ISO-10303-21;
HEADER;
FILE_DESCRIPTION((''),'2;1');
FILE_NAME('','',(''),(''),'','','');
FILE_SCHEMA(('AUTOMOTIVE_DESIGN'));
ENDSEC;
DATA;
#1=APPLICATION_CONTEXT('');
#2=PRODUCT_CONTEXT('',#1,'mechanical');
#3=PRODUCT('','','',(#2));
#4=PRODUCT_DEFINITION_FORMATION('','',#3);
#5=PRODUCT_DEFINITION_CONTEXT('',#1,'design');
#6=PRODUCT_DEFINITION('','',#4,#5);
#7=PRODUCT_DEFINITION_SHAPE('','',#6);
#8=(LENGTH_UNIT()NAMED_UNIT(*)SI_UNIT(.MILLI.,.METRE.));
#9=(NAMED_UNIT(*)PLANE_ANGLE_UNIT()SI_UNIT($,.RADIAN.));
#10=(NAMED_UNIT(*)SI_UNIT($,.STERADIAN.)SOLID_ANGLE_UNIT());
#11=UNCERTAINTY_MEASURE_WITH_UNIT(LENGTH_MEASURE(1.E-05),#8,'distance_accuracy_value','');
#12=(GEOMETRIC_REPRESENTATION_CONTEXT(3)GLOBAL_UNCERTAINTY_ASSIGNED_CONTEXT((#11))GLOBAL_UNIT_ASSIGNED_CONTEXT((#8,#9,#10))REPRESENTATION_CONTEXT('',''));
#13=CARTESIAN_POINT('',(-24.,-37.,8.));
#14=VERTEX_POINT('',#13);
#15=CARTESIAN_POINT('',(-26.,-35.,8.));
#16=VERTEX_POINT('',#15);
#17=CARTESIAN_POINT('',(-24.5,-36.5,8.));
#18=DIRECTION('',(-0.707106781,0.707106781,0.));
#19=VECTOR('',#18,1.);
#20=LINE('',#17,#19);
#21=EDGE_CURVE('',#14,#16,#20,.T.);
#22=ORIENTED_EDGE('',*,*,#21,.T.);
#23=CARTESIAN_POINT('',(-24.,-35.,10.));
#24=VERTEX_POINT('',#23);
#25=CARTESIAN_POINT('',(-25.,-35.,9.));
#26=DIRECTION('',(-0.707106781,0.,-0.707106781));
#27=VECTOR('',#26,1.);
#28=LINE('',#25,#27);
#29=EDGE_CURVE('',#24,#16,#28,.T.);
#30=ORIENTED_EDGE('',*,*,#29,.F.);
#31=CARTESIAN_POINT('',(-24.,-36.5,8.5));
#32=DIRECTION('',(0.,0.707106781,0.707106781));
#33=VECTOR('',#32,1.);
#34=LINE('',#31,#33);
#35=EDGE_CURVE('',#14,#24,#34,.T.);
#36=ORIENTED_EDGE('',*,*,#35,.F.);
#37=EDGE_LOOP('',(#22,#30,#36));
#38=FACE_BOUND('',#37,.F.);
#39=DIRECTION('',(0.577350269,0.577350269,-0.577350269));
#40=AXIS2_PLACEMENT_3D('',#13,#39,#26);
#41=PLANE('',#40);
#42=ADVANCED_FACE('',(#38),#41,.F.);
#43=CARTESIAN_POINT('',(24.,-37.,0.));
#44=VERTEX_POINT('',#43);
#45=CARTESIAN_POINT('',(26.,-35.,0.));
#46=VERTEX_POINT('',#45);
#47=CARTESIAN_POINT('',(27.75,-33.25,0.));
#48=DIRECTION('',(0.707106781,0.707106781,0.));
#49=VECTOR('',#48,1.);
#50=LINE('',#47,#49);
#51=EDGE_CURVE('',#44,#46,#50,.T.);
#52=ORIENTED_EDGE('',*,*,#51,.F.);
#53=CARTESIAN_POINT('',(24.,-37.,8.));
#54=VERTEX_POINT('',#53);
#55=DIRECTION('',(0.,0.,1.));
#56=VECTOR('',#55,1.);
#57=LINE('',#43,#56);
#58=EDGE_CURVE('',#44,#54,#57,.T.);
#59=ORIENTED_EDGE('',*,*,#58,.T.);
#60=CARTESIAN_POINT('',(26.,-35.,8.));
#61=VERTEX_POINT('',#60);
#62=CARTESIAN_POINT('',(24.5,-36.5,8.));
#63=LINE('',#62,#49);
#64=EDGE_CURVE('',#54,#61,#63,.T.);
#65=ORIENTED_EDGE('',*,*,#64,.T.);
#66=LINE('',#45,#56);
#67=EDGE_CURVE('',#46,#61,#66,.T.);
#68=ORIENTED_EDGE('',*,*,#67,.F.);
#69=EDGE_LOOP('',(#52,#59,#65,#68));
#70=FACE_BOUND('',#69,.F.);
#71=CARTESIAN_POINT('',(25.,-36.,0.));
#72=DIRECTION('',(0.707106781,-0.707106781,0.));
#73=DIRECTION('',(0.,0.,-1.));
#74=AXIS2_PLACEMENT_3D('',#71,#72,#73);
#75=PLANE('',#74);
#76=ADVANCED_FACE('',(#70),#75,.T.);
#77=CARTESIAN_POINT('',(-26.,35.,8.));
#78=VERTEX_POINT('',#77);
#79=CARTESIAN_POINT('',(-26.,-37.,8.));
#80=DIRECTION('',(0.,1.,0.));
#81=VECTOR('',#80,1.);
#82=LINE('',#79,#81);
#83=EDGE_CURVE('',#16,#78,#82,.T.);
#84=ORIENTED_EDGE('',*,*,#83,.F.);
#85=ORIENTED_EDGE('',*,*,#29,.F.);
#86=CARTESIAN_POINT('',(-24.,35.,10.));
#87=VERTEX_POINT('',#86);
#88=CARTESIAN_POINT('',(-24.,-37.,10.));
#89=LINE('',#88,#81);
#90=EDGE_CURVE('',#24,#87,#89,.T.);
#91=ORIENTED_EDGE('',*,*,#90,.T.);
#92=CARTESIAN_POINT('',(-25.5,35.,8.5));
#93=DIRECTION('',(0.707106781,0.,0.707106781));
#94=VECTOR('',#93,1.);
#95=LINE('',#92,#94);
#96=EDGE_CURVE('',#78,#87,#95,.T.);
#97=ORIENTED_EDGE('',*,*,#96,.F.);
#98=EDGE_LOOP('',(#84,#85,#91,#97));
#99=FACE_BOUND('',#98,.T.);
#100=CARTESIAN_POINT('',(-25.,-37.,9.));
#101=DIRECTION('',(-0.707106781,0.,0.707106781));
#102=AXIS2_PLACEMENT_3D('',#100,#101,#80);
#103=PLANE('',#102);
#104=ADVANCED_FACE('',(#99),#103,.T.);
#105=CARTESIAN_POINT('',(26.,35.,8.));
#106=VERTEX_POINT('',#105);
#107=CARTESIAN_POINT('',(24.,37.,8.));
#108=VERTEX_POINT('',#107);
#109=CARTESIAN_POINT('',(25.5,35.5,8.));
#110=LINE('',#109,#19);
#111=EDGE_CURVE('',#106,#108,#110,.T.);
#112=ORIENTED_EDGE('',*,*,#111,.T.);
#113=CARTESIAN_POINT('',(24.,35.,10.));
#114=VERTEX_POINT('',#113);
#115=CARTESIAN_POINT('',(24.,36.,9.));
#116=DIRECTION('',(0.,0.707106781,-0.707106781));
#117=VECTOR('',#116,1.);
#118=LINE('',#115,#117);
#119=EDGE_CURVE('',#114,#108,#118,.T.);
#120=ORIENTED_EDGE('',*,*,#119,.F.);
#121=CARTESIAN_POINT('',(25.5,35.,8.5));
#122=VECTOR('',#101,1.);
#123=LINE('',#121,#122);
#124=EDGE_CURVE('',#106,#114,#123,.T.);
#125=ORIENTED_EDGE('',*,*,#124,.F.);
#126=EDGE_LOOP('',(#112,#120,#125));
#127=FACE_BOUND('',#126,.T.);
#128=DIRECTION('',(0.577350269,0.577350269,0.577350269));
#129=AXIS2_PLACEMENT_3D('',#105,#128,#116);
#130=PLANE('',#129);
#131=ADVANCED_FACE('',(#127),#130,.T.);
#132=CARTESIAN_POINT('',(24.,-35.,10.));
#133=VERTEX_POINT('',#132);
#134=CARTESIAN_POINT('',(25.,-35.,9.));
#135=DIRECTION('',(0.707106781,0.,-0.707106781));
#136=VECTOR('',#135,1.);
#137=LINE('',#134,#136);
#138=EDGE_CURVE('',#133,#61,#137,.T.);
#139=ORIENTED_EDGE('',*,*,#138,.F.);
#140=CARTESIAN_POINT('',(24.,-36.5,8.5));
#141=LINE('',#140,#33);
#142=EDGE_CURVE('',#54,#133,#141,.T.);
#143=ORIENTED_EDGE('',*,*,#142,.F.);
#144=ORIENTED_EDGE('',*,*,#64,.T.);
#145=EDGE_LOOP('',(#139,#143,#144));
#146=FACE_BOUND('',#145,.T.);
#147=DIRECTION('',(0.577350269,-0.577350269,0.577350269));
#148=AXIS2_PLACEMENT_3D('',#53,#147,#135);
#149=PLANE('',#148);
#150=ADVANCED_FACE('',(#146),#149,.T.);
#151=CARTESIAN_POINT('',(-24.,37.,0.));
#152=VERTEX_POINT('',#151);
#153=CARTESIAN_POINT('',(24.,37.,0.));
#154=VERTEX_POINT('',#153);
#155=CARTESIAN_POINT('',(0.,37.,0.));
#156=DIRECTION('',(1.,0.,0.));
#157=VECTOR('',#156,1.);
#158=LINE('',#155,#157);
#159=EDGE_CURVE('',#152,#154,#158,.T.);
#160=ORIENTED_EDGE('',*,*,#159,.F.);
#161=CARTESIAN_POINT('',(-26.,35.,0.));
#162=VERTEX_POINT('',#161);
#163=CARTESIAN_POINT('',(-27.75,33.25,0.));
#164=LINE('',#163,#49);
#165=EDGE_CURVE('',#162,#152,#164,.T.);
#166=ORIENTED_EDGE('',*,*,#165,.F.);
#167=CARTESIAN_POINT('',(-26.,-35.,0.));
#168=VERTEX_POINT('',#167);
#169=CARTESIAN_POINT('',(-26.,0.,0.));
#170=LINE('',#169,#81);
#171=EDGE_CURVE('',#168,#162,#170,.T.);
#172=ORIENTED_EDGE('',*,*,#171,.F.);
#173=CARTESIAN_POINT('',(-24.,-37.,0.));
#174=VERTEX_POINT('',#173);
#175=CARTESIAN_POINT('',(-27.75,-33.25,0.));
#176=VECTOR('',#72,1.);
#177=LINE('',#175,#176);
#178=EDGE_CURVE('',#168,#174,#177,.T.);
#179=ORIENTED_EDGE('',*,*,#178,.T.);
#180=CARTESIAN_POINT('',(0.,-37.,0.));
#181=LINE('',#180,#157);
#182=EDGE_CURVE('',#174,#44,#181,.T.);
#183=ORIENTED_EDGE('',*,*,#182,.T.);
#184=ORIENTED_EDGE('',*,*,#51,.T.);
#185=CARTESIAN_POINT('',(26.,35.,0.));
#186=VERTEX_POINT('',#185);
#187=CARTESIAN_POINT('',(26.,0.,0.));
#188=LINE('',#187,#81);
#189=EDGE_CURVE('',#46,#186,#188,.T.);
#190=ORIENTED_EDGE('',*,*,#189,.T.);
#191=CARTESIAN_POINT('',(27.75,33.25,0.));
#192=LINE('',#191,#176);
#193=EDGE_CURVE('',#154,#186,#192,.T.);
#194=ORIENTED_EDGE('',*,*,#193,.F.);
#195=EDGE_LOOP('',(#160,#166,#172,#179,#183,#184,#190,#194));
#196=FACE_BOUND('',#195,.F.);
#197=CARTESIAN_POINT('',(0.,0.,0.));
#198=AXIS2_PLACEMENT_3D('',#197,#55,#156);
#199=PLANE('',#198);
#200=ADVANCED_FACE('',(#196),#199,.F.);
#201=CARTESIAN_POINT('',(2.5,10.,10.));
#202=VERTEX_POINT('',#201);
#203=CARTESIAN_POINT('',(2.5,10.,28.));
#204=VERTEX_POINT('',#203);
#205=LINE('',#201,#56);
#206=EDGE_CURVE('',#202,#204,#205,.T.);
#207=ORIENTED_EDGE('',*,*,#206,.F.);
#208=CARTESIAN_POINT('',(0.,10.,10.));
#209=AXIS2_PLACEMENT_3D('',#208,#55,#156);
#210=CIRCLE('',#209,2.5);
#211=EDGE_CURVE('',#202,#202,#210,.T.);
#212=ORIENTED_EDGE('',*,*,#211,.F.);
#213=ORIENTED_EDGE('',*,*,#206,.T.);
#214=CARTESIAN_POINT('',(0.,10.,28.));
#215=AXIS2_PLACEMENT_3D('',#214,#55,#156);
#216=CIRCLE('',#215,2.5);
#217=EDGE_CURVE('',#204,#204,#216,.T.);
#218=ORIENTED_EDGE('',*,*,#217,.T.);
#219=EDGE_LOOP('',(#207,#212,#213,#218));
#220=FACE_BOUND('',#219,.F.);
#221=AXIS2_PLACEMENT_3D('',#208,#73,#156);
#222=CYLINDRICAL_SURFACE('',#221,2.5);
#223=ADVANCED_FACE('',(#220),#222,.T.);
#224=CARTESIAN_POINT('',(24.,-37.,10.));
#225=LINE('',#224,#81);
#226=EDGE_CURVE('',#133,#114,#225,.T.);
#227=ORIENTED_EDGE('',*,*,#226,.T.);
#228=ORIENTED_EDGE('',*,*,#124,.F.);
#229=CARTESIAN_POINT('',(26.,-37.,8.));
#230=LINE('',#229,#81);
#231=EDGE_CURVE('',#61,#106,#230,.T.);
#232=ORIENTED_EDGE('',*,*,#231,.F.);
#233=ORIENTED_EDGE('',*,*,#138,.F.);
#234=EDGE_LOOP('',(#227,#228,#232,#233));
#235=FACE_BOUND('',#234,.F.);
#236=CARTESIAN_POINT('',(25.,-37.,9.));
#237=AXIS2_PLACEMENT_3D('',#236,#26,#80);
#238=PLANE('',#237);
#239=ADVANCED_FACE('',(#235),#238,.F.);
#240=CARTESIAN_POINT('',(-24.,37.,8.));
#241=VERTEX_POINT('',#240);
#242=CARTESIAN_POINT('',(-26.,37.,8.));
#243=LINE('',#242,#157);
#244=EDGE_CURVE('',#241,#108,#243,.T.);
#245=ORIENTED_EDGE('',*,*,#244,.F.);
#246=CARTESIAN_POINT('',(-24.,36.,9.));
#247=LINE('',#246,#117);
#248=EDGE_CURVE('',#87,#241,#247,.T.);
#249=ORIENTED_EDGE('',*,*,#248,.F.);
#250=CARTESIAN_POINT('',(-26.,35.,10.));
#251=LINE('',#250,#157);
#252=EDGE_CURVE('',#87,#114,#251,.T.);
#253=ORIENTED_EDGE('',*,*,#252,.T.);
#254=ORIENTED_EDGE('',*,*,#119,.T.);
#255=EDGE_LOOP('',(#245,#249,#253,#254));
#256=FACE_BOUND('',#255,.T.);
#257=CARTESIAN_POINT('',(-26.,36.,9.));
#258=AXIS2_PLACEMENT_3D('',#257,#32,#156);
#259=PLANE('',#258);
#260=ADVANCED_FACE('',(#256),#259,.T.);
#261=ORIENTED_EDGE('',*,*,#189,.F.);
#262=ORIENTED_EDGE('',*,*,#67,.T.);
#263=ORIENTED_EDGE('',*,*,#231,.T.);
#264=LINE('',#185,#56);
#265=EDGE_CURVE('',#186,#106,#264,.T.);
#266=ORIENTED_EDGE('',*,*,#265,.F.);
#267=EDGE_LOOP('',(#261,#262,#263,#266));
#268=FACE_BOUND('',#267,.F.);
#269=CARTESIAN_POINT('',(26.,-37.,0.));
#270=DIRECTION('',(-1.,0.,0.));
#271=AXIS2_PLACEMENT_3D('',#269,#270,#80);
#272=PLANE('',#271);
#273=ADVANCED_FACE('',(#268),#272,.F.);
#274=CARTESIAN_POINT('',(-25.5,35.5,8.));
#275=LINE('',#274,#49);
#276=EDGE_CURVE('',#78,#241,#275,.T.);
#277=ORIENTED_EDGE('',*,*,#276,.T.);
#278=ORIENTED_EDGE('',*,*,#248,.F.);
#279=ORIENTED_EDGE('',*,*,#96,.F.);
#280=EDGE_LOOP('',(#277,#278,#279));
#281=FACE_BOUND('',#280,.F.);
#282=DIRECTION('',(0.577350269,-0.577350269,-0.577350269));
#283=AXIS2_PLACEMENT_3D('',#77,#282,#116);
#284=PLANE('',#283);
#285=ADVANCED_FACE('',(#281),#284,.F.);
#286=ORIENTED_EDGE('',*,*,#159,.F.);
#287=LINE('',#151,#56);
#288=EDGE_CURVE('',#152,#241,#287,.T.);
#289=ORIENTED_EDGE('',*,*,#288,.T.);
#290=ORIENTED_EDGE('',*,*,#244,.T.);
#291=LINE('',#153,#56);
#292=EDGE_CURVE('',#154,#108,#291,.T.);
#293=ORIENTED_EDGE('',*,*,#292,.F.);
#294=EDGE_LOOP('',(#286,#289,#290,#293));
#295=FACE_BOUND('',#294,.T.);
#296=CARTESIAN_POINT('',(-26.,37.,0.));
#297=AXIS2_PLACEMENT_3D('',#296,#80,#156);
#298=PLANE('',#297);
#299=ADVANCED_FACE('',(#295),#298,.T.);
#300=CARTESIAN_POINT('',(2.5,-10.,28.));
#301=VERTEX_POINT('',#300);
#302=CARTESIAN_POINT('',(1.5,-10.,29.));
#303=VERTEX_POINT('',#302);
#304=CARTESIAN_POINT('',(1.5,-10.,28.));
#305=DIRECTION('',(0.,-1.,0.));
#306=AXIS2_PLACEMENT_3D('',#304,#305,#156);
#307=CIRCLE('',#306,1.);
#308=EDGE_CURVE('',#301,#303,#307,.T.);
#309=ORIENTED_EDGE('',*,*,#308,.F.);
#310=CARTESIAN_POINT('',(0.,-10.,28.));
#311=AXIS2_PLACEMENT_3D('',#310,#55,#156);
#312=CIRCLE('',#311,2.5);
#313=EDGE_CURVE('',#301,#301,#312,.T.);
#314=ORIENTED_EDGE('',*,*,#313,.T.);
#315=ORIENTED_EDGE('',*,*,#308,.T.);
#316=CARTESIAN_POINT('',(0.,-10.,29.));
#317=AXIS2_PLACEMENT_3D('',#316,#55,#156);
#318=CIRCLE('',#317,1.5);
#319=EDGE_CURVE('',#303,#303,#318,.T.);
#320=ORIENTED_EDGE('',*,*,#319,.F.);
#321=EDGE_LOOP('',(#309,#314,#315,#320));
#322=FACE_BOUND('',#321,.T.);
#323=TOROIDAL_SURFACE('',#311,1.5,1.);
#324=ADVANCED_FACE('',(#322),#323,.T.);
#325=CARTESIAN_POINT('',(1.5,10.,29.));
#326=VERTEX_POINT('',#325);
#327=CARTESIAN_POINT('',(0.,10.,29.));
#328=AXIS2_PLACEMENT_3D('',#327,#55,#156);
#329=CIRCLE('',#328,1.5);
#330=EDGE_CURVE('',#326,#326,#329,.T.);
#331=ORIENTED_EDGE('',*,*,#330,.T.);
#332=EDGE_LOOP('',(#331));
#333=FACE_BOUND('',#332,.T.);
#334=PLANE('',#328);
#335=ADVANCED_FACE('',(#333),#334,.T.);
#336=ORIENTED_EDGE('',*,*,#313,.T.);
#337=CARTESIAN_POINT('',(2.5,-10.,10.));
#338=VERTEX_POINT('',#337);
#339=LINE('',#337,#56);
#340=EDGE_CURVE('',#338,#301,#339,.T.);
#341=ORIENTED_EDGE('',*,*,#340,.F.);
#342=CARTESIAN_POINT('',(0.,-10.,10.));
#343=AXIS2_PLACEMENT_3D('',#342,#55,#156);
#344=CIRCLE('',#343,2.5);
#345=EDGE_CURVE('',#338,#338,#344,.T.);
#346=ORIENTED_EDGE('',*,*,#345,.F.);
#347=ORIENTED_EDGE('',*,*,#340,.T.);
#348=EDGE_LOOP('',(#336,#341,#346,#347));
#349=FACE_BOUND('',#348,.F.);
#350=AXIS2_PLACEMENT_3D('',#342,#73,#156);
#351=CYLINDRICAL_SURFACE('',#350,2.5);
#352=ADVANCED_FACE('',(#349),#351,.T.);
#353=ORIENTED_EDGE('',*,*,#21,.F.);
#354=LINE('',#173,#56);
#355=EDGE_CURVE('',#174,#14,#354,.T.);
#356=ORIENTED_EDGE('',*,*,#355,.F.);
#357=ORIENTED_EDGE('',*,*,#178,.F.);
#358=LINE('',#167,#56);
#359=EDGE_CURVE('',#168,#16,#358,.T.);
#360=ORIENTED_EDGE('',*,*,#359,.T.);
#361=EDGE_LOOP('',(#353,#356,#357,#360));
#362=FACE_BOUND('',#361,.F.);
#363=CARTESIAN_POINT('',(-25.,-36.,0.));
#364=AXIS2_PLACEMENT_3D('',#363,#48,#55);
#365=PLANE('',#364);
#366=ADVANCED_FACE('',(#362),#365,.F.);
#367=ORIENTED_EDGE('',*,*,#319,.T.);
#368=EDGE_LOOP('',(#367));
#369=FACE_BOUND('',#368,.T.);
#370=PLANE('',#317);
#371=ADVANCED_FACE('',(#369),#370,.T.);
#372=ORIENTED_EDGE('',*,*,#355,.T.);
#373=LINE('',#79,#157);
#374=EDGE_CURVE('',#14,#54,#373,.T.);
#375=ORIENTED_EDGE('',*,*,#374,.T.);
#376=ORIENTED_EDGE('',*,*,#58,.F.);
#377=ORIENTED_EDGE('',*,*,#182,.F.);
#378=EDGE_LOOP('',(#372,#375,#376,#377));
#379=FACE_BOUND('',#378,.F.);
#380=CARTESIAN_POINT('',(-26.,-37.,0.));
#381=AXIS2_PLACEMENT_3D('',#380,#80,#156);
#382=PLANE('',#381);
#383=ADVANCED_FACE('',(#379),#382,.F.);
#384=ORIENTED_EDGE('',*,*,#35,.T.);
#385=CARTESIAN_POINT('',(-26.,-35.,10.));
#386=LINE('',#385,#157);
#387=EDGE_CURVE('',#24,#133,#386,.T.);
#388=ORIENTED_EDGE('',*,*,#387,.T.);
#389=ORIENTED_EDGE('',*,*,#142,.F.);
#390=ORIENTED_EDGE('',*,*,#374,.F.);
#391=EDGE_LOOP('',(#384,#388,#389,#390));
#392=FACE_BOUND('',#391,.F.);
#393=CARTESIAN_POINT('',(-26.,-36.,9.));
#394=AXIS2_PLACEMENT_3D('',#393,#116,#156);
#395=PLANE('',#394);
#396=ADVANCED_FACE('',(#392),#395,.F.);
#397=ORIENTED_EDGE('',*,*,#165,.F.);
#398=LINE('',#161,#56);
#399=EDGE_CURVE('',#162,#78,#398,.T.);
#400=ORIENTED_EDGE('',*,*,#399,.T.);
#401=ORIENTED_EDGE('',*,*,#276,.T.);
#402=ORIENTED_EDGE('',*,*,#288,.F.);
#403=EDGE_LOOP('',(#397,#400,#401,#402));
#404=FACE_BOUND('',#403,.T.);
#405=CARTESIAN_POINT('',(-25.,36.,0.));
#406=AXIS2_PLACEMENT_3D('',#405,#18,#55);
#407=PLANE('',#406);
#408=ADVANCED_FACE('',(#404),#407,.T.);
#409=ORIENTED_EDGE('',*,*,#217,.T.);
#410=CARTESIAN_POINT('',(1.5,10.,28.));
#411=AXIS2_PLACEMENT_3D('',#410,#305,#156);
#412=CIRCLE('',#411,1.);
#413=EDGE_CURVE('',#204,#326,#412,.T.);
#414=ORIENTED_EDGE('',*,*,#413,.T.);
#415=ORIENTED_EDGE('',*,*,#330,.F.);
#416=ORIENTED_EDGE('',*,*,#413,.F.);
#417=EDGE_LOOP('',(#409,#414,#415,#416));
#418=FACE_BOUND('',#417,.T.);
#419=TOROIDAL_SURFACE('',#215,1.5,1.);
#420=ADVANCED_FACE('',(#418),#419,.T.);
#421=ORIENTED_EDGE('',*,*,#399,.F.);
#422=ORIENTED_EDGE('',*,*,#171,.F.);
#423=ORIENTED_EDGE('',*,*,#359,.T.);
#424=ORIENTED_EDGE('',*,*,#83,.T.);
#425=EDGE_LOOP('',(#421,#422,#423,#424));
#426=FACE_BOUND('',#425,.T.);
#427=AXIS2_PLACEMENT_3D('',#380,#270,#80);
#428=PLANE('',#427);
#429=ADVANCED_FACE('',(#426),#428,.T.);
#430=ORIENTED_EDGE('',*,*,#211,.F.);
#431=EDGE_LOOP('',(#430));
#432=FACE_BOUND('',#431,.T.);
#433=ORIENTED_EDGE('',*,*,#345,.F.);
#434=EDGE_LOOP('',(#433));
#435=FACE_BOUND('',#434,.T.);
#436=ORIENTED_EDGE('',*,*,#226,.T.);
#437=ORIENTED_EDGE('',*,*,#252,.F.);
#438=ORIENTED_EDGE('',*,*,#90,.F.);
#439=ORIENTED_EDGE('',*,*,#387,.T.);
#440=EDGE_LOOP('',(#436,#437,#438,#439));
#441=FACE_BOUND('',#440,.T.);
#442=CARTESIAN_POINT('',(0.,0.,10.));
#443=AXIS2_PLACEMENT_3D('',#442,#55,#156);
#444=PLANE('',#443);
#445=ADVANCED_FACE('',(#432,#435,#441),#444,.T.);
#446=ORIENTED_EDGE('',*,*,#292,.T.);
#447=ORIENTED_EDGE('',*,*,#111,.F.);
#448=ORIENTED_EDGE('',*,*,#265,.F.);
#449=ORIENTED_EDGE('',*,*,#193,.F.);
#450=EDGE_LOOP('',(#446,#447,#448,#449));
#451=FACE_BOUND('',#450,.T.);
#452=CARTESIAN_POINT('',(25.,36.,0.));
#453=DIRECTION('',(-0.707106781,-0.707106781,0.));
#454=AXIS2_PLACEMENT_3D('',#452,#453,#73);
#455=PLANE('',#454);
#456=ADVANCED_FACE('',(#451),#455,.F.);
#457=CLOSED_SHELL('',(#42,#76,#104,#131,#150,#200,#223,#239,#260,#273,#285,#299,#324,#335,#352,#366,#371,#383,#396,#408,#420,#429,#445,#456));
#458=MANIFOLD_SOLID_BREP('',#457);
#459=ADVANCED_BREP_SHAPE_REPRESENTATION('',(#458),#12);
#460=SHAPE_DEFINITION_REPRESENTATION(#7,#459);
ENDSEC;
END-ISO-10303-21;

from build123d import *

# Parameters (mm, degrees)
F0_W     = 52
F0_H     = 74
F1_DEPTH = 10
F2_R     = 2.5
F3_DEPTH = 19
F4_R     = 1
F5_SIZE  = 2


with BuildPart() as f1:
    # F0 (on Top) → F1 (new body)
    with BuildSketch(Plane.XY):
        Rectangle(F0_W, F0_H)
    extrude(amount=F1_DEPTH)

    # F2 (on face) → F3 (join)
    with BuildSketch(Plane.XY.offset(10)):
        with Locations((0, 10)):
            Circle(F2_R)
        with Locations((0, -10)):
            Circle(F2_R)
    extrude(amount=F3_DEPTH)

    # F4
    f4_edges = [f1.edges().sort_by_distance(p)[0] for p in [
        (-2.5, 10, 29),
        (-2.5, -10, 29),
    ]]
    fillet(f4_edges, radius=F4_R)

    # F5
    f5_edges = [f1.edges().sort_by_distance(p)[0] for p in [
        (0, 37, 10),
        (26, 0, 10),
        (-26, 0, 10),
        (0, -37, 10),
        (-26, -37, 5),
        (26, -37, 5),
        (-26, 37, 5),
        (26, 37, 5),
    ]]
    chamfer(f5_edges, length=F5_SIZE)


solid = f1.part
